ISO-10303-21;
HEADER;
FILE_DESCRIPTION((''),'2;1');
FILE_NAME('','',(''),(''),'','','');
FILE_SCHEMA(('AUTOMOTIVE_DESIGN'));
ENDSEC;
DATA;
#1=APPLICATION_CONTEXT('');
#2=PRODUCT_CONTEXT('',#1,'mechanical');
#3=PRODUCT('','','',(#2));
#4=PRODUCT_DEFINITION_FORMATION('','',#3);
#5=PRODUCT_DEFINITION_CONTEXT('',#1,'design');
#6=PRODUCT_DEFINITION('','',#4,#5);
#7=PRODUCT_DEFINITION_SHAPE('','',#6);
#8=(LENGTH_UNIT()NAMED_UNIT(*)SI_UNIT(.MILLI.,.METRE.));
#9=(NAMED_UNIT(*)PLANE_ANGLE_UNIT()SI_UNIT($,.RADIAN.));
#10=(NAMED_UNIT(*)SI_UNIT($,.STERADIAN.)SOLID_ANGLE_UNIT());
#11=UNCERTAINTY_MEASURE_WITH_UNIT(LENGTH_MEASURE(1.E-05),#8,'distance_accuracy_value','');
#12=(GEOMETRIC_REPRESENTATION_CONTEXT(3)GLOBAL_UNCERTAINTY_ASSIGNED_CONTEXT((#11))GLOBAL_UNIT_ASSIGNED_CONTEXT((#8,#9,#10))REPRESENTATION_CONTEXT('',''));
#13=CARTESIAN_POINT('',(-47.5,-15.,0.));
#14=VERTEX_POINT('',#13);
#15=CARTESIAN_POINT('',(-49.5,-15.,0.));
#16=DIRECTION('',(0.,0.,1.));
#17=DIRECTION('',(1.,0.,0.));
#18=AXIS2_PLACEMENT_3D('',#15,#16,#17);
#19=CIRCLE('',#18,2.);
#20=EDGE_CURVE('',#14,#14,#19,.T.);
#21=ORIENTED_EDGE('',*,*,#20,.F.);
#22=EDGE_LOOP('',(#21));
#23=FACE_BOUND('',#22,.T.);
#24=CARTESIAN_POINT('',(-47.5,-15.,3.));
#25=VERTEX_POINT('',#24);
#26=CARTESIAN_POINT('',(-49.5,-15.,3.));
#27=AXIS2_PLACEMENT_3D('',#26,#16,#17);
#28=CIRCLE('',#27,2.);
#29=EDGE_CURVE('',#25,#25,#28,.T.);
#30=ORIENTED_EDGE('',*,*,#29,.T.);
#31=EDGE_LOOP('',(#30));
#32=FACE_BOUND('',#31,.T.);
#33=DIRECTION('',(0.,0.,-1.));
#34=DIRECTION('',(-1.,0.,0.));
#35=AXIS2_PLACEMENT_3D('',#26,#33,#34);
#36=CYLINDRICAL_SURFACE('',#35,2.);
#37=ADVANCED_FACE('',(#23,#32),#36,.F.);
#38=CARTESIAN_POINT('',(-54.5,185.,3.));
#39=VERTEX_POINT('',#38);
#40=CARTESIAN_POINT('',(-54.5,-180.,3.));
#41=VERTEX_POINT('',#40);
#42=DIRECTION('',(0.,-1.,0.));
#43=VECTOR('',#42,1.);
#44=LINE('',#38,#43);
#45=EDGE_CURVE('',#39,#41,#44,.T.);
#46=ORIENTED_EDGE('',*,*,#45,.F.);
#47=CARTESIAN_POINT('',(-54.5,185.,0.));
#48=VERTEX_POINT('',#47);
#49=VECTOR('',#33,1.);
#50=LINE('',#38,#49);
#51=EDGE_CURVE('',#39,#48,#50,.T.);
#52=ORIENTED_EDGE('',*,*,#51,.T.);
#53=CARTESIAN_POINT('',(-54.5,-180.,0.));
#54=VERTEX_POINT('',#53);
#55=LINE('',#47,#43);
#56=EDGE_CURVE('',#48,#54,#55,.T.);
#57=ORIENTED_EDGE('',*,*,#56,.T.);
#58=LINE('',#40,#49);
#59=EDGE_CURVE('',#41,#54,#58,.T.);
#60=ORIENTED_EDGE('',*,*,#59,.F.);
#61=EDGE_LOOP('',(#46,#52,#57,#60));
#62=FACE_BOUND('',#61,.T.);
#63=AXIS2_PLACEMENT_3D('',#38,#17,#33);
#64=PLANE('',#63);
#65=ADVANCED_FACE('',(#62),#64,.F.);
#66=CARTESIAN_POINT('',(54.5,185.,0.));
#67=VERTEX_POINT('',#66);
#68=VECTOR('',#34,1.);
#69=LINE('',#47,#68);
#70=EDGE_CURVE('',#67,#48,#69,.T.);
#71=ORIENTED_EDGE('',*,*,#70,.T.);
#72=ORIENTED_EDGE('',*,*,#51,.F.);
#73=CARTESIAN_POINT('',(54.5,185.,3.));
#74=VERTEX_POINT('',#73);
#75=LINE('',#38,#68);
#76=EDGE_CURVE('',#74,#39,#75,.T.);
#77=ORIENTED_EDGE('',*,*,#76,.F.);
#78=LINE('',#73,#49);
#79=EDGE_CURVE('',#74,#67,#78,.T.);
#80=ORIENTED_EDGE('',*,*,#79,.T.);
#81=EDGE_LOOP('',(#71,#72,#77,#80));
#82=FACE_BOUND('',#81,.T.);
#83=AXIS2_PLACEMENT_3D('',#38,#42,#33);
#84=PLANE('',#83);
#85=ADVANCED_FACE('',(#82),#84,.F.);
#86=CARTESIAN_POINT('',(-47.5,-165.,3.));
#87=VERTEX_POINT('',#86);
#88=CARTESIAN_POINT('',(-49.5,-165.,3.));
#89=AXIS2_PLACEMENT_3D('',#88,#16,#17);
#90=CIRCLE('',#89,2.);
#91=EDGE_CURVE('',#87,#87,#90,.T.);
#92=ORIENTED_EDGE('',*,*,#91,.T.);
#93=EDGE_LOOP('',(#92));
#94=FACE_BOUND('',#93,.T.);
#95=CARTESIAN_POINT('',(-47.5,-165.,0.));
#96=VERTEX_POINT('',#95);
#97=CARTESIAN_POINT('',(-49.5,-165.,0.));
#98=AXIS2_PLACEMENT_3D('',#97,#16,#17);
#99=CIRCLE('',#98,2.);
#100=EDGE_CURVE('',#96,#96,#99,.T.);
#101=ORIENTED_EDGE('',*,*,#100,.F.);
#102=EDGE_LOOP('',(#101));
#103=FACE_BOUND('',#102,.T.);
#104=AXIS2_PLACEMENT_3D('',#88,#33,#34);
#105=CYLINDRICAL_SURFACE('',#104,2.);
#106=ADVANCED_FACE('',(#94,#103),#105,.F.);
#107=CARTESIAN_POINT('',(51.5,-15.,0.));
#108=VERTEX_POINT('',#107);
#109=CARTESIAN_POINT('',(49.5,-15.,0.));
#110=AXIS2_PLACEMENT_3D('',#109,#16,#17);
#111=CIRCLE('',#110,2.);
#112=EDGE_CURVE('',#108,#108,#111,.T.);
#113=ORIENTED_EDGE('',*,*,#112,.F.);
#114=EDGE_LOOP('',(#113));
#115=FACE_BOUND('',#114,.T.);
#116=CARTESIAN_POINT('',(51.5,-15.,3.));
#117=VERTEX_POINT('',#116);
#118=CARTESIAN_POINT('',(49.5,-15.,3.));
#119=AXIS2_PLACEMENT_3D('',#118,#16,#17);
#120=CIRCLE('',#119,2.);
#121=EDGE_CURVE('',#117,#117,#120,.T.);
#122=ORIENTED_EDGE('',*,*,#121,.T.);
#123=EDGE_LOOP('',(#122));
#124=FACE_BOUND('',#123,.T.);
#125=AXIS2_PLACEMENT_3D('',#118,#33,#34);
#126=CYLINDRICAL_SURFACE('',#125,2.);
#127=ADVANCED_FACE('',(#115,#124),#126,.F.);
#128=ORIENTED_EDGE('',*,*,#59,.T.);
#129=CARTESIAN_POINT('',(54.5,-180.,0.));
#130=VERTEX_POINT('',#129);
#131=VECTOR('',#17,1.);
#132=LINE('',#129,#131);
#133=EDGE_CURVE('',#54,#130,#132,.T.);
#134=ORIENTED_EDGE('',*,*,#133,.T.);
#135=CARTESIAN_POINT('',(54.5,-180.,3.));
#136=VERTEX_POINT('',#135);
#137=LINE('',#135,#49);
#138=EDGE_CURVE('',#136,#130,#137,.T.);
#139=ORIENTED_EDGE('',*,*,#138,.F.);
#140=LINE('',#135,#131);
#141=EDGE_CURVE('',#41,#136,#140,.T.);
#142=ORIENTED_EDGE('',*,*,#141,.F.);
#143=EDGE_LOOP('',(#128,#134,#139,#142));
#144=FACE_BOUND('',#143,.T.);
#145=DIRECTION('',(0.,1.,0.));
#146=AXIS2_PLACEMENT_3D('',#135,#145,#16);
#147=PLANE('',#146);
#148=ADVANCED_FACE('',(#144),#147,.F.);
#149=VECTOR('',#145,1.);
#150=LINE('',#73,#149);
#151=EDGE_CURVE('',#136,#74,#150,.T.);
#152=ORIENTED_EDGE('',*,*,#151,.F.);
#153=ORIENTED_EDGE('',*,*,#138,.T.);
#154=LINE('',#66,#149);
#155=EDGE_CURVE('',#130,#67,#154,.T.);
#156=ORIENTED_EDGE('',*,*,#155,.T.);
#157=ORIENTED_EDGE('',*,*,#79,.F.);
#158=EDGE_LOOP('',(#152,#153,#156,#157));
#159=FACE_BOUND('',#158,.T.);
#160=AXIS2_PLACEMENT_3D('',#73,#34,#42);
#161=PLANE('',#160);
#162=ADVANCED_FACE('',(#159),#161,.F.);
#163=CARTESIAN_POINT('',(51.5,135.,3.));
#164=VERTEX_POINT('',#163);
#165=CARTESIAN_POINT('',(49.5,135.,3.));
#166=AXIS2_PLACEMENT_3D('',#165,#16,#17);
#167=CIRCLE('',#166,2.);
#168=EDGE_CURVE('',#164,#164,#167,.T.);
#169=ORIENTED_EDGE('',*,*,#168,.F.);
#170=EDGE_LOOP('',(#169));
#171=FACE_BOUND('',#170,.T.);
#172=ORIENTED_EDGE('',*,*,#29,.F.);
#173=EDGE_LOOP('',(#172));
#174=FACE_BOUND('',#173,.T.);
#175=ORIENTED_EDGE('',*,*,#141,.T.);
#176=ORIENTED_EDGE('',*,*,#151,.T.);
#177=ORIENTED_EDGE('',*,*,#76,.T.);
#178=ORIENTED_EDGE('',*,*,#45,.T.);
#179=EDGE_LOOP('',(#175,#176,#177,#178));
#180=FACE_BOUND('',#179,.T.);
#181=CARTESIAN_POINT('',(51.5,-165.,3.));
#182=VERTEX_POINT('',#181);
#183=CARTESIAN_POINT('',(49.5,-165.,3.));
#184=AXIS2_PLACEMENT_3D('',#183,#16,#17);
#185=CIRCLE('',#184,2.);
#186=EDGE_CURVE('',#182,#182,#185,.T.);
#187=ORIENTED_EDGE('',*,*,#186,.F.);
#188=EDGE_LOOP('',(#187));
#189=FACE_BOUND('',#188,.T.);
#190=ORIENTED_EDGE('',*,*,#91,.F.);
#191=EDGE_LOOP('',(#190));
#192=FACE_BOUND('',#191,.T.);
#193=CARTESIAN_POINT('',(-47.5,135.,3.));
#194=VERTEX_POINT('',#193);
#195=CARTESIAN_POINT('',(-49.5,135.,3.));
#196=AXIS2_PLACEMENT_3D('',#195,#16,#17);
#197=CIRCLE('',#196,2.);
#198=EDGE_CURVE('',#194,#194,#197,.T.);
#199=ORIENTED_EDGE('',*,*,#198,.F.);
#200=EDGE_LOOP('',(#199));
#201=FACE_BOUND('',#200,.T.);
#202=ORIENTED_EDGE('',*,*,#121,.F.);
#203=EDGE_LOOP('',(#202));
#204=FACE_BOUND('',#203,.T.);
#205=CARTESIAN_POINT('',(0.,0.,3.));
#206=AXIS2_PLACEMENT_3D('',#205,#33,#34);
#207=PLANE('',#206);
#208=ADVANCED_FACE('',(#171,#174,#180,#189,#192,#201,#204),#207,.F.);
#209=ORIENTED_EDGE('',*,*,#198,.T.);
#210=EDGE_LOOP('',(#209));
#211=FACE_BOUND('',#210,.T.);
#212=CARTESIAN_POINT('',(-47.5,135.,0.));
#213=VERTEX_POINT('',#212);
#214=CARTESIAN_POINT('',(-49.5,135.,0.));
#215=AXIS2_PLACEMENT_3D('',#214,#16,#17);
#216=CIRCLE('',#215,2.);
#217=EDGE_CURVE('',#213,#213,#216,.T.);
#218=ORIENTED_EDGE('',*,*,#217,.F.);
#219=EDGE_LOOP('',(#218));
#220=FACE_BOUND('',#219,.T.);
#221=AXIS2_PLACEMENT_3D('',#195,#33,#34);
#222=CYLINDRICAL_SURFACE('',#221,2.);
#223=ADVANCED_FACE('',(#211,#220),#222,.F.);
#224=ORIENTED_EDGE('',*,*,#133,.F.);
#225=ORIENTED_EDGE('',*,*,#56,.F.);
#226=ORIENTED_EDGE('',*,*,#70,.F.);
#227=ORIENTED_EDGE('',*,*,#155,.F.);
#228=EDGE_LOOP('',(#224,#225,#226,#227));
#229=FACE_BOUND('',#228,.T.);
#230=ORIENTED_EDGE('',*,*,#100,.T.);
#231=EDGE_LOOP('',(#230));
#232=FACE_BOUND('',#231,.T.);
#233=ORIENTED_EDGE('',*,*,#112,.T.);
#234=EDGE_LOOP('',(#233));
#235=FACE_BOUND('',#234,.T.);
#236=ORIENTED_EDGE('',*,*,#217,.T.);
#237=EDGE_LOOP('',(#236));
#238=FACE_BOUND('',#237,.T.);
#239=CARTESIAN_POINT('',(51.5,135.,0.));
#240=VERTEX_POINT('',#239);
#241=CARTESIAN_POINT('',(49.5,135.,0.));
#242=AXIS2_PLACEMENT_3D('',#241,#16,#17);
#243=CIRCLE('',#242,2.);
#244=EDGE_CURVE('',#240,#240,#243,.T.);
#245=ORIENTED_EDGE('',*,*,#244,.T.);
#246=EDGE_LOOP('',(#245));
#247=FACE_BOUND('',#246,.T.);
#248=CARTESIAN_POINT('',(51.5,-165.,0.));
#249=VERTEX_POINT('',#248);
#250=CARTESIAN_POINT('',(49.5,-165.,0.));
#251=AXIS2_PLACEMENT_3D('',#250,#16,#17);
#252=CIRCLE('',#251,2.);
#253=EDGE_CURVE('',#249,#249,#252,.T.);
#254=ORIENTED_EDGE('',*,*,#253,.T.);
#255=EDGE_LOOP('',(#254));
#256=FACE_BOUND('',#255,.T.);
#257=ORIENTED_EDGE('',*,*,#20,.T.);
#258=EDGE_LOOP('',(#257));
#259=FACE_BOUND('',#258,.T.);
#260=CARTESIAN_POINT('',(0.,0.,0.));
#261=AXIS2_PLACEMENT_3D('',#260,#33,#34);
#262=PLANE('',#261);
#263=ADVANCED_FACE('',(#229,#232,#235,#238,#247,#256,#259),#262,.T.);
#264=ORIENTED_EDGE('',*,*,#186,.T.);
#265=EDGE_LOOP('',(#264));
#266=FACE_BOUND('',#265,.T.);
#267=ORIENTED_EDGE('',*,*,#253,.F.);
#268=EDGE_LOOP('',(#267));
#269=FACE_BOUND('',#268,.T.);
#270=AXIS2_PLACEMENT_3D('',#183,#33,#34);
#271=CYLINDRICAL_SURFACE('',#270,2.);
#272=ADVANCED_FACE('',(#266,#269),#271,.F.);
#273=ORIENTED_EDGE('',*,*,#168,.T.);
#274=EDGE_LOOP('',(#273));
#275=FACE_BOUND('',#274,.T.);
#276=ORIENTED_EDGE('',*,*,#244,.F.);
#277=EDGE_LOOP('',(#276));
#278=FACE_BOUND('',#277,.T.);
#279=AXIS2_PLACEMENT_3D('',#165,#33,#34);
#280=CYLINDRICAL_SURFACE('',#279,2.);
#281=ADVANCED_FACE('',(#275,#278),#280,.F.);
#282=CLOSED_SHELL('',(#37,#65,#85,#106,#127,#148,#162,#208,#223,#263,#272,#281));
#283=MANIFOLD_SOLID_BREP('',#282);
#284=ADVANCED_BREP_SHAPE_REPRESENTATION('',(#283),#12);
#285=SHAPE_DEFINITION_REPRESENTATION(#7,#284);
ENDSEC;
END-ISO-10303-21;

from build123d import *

# Parameters (mm, degrees)
SKETCH2_W           = 109
SKETCH2_H           = 365
SKETCH2_R           = 2
BOSS_EXTRUDE1_DEPTH = 3


with BuildPart() as part:
    # Sketch2 → Boss-Extrude1 (new body)
    with BuildSketch(Plane.XY):
        with Locations((0, 2.5)):
            Rectangle(SKETCH2_W, SKETCH2_H)
        with Locations((-49.5, -165)):
            Circle(SKETCH2_R, mode=Mode.SUBTRACT)
        with Locations((49.5, -165)):
            Circle(SKETCH2_R, mode=Mode.SUBTRACT)
        with Locations((-49.5, -15)):
            Circle(SKETCH2_R, mode=Mode.SUBTRACT)
        with Locations((49.5, -15)):
            Circle(SKETCH2_R, mode=Mode.SUBTRACT)
        with Locations((-49.5, 135)):
            Circle(SKETCH2_R, mode=Mode.SUBTRACT)
        with Locations((49.5, 135)):
            Circle(SKETCH2_R, mode=Mode.SUBTRACT)
    extrude(amount=BOSS_EXTRUDE1_DEPTH)


solid = part.part
